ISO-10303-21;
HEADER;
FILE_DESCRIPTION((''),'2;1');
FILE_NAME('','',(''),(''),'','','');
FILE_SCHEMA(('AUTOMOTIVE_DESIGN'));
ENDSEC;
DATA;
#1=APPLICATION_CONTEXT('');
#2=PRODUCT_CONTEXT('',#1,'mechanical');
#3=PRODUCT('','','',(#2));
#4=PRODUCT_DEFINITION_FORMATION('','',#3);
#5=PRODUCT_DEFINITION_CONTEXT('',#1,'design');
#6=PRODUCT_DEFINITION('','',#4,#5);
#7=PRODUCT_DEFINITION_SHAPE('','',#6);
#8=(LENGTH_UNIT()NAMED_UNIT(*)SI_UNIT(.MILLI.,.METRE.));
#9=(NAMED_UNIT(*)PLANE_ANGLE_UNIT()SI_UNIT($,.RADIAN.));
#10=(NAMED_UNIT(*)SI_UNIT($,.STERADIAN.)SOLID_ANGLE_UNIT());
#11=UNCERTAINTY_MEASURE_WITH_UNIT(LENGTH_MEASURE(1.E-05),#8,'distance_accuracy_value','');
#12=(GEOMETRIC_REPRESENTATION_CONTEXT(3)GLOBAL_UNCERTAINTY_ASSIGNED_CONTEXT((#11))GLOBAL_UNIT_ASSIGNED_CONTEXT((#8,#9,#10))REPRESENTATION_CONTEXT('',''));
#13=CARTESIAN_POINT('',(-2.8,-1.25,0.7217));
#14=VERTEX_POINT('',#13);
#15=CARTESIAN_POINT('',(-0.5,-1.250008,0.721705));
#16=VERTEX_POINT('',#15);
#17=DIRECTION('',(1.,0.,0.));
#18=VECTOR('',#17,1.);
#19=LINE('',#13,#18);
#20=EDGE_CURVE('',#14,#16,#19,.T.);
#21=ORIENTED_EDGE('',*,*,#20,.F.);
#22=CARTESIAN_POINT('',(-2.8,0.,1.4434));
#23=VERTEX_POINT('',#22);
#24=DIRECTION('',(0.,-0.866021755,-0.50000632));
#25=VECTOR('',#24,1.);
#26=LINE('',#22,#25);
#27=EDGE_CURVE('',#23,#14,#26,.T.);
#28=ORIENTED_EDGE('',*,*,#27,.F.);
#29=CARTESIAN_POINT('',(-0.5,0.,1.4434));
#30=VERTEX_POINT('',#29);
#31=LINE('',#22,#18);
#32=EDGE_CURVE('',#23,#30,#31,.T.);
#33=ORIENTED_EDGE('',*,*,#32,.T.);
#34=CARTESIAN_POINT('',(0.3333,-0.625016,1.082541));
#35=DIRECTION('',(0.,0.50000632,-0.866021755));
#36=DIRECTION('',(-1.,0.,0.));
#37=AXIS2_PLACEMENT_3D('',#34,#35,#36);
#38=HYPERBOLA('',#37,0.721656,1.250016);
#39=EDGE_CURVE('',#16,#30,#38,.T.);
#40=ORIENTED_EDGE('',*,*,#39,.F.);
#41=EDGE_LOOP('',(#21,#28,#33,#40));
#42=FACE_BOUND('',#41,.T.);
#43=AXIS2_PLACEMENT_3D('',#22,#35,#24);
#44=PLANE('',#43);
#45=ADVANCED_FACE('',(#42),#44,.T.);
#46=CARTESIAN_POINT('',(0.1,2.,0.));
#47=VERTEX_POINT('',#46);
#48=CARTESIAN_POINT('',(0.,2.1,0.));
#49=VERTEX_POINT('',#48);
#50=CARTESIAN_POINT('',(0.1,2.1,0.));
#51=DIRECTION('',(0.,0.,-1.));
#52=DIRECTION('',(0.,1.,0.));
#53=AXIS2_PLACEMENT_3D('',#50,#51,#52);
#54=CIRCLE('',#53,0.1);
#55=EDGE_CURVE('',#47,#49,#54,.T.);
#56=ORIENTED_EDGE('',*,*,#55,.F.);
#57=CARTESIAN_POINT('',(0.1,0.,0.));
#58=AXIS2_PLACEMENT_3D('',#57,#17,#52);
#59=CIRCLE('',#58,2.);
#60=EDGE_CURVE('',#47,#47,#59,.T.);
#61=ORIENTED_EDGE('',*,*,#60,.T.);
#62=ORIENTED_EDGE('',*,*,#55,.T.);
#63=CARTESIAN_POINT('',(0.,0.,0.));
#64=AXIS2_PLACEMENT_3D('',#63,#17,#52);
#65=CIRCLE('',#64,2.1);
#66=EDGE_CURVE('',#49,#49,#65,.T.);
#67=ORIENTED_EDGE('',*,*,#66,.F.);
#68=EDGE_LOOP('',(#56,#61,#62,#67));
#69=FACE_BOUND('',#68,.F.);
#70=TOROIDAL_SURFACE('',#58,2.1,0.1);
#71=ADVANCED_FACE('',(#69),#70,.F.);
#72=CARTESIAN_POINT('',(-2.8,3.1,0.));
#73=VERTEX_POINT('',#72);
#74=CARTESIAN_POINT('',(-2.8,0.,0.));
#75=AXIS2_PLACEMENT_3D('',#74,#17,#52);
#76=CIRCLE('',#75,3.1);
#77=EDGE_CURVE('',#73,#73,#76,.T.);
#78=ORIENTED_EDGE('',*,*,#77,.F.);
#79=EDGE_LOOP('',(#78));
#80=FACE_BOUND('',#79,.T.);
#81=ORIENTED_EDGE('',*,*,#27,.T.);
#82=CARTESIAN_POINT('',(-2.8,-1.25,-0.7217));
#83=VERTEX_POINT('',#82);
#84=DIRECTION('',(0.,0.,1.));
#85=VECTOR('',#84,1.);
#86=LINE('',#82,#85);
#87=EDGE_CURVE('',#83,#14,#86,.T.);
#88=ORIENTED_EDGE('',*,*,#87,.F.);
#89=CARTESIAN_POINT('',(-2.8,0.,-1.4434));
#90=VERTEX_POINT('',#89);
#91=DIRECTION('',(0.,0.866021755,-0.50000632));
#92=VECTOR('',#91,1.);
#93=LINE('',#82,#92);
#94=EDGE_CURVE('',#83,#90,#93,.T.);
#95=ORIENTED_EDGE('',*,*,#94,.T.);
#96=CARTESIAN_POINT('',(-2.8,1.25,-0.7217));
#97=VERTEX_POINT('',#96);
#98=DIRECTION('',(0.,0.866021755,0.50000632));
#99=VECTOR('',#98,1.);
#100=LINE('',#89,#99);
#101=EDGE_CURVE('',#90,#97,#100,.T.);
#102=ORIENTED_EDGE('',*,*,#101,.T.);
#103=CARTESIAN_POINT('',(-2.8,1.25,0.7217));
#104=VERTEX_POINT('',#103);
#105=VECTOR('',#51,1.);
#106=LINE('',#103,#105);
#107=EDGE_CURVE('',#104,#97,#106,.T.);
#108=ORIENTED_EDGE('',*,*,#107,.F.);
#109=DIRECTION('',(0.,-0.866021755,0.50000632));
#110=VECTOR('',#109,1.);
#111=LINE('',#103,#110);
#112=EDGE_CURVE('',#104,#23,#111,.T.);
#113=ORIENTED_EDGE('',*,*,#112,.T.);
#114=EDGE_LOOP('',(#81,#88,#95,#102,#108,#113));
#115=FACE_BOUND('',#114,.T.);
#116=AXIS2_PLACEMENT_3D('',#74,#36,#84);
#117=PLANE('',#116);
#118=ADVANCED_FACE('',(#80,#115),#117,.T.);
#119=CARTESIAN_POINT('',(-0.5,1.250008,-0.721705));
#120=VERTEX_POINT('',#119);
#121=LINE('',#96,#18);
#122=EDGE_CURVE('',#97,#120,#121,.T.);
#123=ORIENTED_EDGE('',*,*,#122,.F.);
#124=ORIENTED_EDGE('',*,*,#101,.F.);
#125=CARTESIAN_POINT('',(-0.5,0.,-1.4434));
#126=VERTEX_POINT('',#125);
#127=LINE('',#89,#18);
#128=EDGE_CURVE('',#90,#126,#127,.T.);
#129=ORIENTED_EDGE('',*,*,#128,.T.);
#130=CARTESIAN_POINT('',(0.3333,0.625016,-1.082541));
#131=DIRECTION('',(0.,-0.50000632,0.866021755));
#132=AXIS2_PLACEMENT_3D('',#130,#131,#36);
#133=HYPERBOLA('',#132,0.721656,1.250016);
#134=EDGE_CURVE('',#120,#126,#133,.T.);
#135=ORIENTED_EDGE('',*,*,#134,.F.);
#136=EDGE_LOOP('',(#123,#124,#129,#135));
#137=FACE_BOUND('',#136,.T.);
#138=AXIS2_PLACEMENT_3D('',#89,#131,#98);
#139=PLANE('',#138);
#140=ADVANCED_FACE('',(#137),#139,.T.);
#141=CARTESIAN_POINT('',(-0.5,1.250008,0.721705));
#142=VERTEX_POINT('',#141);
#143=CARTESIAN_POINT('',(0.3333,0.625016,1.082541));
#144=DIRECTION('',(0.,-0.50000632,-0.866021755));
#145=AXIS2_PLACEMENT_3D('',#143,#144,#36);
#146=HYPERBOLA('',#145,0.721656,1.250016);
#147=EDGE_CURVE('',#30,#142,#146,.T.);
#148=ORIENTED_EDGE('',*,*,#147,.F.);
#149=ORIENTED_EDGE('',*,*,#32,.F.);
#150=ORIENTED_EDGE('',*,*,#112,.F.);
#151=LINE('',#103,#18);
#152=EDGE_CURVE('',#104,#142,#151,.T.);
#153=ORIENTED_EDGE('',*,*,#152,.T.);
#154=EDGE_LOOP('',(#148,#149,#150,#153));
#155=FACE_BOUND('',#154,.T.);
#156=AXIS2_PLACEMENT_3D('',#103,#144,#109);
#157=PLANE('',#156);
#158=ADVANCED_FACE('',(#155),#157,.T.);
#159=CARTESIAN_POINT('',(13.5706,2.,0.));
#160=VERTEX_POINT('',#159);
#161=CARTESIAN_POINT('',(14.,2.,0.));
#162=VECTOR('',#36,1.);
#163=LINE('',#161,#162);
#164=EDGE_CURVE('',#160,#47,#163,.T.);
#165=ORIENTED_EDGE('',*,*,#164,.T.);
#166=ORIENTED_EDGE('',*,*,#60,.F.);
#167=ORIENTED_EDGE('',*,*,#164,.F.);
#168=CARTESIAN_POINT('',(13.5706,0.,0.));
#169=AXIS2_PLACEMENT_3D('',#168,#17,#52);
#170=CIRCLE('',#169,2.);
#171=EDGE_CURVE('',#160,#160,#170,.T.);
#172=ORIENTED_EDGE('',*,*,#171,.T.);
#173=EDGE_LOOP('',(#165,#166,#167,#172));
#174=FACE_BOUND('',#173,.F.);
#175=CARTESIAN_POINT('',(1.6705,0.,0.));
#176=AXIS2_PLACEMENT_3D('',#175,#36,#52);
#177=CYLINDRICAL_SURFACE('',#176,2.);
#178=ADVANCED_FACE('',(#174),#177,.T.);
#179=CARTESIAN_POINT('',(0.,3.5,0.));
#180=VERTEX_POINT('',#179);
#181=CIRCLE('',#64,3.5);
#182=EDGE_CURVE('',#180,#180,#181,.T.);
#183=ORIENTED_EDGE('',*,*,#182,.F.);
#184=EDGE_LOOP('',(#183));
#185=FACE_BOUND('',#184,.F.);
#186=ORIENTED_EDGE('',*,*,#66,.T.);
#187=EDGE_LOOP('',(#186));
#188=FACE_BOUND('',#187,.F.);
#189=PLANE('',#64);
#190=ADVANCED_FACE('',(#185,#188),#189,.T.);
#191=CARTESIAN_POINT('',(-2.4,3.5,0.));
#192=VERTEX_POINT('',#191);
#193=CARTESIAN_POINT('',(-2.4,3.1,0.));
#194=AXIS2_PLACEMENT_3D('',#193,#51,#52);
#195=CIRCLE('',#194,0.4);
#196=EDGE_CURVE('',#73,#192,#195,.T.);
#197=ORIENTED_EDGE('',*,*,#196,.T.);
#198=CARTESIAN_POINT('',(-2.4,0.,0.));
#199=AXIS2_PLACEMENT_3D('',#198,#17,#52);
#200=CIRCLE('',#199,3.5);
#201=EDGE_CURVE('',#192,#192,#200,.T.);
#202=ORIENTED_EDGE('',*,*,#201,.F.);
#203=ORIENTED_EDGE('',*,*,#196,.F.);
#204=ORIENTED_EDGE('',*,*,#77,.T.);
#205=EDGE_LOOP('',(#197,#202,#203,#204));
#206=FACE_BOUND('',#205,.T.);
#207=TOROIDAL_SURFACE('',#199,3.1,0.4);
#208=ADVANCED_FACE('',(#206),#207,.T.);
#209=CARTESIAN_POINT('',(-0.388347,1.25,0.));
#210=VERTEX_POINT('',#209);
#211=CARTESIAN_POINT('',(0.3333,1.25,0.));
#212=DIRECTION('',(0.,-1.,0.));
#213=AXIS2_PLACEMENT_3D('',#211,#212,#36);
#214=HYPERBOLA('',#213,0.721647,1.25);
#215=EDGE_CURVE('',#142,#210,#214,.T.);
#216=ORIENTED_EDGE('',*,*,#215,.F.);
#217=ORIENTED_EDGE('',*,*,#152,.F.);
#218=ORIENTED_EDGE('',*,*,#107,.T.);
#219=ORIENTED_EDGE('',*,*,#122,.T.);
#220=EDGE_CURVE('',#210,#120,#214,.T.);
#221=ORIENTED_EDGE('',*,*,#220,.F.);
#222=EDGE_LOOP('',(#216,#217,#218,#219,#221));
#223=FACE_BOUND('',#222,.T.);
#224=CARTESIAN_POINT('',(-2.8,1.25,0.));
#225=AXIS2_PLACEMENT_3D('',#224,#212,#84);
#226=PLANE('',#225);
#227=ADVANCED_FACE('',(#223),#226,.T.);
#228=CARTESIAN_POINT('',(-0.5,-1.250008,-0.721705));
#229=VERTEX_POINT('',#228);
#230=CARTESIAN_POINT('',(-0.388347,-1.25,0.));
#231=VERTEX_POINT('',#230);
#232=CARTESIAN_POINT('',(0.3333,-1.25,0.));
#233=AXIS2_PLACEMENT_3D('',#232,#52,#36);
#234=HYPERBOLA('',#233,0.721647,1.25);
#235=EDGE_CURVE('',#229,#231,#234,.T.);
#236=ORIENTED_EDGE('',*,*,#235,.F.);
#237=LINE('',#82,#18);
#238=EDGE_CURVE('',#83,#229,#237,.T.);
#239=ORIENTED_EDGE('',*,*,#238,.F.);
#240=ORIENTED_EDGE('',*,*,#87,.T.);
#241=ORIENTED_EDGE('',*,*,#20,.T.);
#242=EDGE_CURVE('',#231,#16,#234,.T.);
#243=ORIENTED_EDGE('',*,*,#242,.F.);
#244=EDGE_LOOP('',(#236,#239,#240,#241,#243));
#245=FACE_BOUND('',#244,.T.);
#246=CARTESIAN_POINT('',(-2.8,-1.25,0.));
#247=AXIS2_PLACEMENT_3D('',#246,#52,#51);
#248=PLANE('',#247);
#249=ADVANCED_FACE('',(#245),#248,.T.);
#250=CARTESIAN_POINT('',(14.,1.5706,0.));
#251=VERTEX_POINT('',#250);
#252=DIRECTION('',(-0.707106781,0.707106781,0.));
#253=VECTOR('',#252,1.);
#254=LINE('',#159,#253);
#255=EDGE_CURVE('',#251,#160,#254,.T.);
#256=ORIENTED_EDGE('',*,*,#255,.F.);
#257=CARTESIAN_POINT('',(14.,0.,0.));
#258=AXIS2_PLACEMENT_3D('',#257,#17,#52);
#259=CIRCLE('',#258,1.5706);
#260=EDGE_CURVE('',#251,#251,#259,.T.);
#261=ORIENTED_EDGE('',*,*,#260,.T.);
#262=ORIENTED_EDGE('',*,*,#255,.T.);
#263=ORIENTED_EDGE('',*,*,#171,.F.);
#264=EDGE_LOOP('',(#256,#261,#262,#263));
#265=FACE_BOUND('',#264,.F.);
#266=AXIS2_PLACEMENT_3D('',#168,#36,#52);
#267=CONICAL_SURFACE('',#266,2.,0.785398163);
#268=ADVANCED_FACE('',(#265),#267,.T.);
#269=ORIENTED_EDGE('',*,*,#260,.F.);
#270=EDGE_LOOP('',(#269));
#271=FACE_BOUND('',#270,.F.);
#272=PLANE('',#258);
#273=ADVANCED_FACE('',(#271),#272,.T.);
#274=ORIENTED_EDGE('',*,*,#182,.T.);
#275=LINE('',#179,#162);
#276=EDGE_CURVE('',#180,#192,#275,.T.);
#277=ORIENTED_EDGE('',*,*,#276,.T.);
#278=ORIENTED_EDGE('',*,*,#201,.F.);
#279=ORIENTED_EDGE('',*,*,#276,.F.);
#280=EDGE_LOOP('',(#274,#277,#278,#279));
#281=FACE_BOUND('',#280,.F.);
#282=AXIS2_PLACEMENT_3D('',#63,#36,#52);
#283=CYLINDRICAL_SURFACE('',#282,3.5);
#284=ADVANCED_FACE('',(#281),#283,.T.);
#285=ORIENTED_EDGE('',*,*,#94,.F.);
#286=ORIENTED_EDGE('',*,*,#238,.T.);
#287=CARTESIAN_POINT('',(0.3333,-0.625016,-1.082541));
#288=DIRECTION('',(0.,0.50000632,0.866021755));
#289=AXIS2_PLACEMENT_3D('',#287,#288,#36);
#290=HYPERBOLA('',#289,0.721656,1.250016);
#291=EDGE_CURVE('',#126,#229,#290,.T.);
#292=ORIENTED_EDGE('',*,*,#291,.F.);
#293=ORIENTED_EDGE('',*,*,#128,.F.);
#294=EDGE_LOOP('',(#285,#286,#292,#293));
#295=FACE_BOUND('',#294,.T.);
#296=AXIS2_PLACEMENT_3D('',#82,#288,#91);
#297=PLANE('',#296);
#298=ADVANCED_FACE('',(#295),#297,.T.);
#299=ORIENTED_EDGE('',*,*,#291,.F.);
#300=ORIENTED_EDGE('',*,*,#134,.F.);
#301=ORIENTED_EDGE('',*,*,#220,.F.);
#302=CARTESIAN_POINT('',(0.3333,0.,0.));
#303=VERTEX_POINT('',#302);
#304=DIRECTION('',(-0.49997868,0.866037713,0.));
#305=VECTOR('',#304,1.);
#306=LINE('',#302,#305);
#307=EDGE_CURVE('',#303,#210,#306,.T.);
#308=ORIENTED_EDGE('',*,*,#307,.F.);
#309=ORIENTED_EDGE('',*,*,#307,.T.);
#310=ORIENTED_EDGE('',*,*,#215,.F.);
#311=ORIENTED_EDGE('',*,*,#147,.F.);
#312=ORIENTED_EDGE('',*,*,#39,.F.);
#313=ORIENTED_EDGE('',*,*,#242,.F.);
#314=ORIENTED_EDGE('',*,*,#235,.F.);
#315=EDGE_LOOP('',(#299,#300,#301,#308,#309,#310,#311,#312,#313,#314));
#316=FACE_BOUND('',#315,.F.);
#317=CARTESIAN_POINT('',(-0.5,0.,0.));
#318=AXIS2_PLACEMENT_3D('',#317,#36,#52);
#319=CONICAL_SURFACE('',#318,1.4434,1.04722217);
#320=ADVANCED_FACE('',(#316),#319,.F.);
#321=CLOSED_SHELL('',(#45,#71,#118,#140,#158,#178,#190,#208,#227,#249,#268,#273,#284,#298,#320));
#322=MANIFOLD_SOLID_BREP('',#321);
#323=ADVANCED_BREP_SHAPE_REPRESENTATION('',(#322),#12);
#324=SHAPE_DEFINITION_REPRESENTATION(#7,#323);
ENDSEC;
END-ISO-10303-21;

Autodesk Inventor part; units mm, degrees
ref_plane "YZ Plane" through (0, 0, 0) normal (1, 0, 0) x (0, 1, 0)
ref_plane "XZ Plane" through (0, 0, 0) normal (0, 1, 0) x (-1, 0, 0)
sketch "Szkic1" plane through (0, 0, 0) normal (0, 0, 1) x (1, 0, 0)
  line L0 (0.3333, 0) -> (14, 0)
  line L1 (14, 0) -> (14, 2)
  line L2 (14, 2) -> (2.1, 2)
  line L3 (2.1, 2) -> (1.6705, 2)
  line L4 (1.6705, 2) -> (0, 2)
  line L5 (0, 2) -> (0, 3.5)
  line L6 (0, 3.5) -> (-2.8, 3.5)
  line L7 (-2.8, 3.5) -> (-2.8, 1.4434)
  line L8 (-2.8, 1.4434) -> (-0.5, 1.4434)
  line L9 (-0.5, 1.4434) -> (0.3333, 0)
  line L10 (-6.16, 0) -> (17.36, 0) projected
  line L11 (0, -0.7) -> (0, 4.2) projected
  line L12 (2.1, 2) -> (0, 2) construction
  dimension "d1" = 11.9
  dimension "d2" = 0.4295
  dimension "d3" = 2.8
  dimension "d4" = 2.3
  dimension "d5" = 60
  dimension "d6" = 4
  dimension "d7" = 4
  dimension "d8" = 2.8868
  dimension "d9" = 7
  dimension "d26" = 14
revolve "Bryła" add sketch "Szkic1" angle 360 about axis through (0.3333, 0, 0) along (1, 0, 0) contours L9 L11 L4 L3 L2 L1 L0 | L9 L8 L7 L6 L5 L11
sketch "Szkic2" plane through (-2.8, 0, 0) normal (-1, 0, 0) x (0, 0, 1)
  circle A0 centre (0, 0) radius 1.4434 projected
  line L0 (0, -4.9) -> (0, 4.9) projected
  line L1 (-4.9, 0) -> (4.9, 0) projected
  line L2 (1.4434, 0) -> (0.7217, -1.25)
  line L3 (0.7217, -1.25) -> (-0.7217, -1.25)
  line L4 (-0.7217, -1.25) -> (-1.4434, 0)
  line L5 (-1.4434, 0) -> (-0.7217, 1.25)
  line L6 (-0.7217, 1.25) -> (0.7217, 1.25)
  line L7 (0.7217, 1.25) -> (1.4434, 0)
  point P0 (0, 0)
extrude "Szczelina" add sketch "Szkic2" against normal up to next contours L7 A0 | A0 L2 | L6 L0 A0 | A0 L0 L3 | L0 L6 A0 | A0 L3 L0 | L4 A0 | A0 L5
fillet "Zaokrąglenie1" radius 0.4 1 edges at (-2.8, -3.5, 0)
thread "Gwint" size "M4x0.7" class "6g" standard "ISO Metric profile" length 11.9
chamfer "Faza1" distance 0.4294 distance2 0.4294 1 edges at (14, -2, 0) measured on face at (14, 0.527, -0.2661)
ref_plane "Work Plane1" through (29, 0, 0) normal (0, -1, 0) x (1, 0, 0)
fillet "Fillet2" radius 0.1 1 edges at (0, -2, 0)
equation "\"d1\" = GEL"
equation "\"d3\" = KOH"
equation "\"d4\" = INTI"
equation "\"d6\" = GD"
equation "\"d7\" = BDM"
equation "\"d8\" = 1.1547 * SW"
equation "\"d9\" = KOD"
equation "\"d26\" = NLG"
equation "\"d30\" = R"
equation "\"d17\" = RR"
equation "\"d13\" = GEL"
equation "\"d15\" = -0.5 * SPD + 0.5 * GD"
equation "\"d16\" = GUL"
equation "\"GD\" = NND"
equation "\"NLG\" = 14"
equation "\"GEL\" = 11.9"
equation "\"KOD\" = 7"
equation "\"KOH\" = 2.8"
equation "\"INTI\" = 2.3"
equation "\"GAL\" = 0.61345 * PTC"
equation "\"GUL\" = 0.61345 * PTC"
equation "\"BDM\" = NND"
equation "\"SW\" = 2.5"
equation "\"RR\" = 0.4"
equation "\"SPD\" = NND - 1.2269 * PTC"
equation "\"R\" = 0.1"
equation "\"TOA\" = 30deg"
equation "\"GD1\" = THREADDIA - 1.2269 * PTC"
equation "\"THREADDIA\" = 4"
equation "\"FAWI\" = 45deg"
equation "\"ANG\" = 120deg"
equation "\"PTC\" = 0.7"
equation "\"NND\" = 4"
equation "\"E0\" = 1.155 * SW"
properties part number "DIN 7984 - M4 x 14" material "Stal, miękka"
